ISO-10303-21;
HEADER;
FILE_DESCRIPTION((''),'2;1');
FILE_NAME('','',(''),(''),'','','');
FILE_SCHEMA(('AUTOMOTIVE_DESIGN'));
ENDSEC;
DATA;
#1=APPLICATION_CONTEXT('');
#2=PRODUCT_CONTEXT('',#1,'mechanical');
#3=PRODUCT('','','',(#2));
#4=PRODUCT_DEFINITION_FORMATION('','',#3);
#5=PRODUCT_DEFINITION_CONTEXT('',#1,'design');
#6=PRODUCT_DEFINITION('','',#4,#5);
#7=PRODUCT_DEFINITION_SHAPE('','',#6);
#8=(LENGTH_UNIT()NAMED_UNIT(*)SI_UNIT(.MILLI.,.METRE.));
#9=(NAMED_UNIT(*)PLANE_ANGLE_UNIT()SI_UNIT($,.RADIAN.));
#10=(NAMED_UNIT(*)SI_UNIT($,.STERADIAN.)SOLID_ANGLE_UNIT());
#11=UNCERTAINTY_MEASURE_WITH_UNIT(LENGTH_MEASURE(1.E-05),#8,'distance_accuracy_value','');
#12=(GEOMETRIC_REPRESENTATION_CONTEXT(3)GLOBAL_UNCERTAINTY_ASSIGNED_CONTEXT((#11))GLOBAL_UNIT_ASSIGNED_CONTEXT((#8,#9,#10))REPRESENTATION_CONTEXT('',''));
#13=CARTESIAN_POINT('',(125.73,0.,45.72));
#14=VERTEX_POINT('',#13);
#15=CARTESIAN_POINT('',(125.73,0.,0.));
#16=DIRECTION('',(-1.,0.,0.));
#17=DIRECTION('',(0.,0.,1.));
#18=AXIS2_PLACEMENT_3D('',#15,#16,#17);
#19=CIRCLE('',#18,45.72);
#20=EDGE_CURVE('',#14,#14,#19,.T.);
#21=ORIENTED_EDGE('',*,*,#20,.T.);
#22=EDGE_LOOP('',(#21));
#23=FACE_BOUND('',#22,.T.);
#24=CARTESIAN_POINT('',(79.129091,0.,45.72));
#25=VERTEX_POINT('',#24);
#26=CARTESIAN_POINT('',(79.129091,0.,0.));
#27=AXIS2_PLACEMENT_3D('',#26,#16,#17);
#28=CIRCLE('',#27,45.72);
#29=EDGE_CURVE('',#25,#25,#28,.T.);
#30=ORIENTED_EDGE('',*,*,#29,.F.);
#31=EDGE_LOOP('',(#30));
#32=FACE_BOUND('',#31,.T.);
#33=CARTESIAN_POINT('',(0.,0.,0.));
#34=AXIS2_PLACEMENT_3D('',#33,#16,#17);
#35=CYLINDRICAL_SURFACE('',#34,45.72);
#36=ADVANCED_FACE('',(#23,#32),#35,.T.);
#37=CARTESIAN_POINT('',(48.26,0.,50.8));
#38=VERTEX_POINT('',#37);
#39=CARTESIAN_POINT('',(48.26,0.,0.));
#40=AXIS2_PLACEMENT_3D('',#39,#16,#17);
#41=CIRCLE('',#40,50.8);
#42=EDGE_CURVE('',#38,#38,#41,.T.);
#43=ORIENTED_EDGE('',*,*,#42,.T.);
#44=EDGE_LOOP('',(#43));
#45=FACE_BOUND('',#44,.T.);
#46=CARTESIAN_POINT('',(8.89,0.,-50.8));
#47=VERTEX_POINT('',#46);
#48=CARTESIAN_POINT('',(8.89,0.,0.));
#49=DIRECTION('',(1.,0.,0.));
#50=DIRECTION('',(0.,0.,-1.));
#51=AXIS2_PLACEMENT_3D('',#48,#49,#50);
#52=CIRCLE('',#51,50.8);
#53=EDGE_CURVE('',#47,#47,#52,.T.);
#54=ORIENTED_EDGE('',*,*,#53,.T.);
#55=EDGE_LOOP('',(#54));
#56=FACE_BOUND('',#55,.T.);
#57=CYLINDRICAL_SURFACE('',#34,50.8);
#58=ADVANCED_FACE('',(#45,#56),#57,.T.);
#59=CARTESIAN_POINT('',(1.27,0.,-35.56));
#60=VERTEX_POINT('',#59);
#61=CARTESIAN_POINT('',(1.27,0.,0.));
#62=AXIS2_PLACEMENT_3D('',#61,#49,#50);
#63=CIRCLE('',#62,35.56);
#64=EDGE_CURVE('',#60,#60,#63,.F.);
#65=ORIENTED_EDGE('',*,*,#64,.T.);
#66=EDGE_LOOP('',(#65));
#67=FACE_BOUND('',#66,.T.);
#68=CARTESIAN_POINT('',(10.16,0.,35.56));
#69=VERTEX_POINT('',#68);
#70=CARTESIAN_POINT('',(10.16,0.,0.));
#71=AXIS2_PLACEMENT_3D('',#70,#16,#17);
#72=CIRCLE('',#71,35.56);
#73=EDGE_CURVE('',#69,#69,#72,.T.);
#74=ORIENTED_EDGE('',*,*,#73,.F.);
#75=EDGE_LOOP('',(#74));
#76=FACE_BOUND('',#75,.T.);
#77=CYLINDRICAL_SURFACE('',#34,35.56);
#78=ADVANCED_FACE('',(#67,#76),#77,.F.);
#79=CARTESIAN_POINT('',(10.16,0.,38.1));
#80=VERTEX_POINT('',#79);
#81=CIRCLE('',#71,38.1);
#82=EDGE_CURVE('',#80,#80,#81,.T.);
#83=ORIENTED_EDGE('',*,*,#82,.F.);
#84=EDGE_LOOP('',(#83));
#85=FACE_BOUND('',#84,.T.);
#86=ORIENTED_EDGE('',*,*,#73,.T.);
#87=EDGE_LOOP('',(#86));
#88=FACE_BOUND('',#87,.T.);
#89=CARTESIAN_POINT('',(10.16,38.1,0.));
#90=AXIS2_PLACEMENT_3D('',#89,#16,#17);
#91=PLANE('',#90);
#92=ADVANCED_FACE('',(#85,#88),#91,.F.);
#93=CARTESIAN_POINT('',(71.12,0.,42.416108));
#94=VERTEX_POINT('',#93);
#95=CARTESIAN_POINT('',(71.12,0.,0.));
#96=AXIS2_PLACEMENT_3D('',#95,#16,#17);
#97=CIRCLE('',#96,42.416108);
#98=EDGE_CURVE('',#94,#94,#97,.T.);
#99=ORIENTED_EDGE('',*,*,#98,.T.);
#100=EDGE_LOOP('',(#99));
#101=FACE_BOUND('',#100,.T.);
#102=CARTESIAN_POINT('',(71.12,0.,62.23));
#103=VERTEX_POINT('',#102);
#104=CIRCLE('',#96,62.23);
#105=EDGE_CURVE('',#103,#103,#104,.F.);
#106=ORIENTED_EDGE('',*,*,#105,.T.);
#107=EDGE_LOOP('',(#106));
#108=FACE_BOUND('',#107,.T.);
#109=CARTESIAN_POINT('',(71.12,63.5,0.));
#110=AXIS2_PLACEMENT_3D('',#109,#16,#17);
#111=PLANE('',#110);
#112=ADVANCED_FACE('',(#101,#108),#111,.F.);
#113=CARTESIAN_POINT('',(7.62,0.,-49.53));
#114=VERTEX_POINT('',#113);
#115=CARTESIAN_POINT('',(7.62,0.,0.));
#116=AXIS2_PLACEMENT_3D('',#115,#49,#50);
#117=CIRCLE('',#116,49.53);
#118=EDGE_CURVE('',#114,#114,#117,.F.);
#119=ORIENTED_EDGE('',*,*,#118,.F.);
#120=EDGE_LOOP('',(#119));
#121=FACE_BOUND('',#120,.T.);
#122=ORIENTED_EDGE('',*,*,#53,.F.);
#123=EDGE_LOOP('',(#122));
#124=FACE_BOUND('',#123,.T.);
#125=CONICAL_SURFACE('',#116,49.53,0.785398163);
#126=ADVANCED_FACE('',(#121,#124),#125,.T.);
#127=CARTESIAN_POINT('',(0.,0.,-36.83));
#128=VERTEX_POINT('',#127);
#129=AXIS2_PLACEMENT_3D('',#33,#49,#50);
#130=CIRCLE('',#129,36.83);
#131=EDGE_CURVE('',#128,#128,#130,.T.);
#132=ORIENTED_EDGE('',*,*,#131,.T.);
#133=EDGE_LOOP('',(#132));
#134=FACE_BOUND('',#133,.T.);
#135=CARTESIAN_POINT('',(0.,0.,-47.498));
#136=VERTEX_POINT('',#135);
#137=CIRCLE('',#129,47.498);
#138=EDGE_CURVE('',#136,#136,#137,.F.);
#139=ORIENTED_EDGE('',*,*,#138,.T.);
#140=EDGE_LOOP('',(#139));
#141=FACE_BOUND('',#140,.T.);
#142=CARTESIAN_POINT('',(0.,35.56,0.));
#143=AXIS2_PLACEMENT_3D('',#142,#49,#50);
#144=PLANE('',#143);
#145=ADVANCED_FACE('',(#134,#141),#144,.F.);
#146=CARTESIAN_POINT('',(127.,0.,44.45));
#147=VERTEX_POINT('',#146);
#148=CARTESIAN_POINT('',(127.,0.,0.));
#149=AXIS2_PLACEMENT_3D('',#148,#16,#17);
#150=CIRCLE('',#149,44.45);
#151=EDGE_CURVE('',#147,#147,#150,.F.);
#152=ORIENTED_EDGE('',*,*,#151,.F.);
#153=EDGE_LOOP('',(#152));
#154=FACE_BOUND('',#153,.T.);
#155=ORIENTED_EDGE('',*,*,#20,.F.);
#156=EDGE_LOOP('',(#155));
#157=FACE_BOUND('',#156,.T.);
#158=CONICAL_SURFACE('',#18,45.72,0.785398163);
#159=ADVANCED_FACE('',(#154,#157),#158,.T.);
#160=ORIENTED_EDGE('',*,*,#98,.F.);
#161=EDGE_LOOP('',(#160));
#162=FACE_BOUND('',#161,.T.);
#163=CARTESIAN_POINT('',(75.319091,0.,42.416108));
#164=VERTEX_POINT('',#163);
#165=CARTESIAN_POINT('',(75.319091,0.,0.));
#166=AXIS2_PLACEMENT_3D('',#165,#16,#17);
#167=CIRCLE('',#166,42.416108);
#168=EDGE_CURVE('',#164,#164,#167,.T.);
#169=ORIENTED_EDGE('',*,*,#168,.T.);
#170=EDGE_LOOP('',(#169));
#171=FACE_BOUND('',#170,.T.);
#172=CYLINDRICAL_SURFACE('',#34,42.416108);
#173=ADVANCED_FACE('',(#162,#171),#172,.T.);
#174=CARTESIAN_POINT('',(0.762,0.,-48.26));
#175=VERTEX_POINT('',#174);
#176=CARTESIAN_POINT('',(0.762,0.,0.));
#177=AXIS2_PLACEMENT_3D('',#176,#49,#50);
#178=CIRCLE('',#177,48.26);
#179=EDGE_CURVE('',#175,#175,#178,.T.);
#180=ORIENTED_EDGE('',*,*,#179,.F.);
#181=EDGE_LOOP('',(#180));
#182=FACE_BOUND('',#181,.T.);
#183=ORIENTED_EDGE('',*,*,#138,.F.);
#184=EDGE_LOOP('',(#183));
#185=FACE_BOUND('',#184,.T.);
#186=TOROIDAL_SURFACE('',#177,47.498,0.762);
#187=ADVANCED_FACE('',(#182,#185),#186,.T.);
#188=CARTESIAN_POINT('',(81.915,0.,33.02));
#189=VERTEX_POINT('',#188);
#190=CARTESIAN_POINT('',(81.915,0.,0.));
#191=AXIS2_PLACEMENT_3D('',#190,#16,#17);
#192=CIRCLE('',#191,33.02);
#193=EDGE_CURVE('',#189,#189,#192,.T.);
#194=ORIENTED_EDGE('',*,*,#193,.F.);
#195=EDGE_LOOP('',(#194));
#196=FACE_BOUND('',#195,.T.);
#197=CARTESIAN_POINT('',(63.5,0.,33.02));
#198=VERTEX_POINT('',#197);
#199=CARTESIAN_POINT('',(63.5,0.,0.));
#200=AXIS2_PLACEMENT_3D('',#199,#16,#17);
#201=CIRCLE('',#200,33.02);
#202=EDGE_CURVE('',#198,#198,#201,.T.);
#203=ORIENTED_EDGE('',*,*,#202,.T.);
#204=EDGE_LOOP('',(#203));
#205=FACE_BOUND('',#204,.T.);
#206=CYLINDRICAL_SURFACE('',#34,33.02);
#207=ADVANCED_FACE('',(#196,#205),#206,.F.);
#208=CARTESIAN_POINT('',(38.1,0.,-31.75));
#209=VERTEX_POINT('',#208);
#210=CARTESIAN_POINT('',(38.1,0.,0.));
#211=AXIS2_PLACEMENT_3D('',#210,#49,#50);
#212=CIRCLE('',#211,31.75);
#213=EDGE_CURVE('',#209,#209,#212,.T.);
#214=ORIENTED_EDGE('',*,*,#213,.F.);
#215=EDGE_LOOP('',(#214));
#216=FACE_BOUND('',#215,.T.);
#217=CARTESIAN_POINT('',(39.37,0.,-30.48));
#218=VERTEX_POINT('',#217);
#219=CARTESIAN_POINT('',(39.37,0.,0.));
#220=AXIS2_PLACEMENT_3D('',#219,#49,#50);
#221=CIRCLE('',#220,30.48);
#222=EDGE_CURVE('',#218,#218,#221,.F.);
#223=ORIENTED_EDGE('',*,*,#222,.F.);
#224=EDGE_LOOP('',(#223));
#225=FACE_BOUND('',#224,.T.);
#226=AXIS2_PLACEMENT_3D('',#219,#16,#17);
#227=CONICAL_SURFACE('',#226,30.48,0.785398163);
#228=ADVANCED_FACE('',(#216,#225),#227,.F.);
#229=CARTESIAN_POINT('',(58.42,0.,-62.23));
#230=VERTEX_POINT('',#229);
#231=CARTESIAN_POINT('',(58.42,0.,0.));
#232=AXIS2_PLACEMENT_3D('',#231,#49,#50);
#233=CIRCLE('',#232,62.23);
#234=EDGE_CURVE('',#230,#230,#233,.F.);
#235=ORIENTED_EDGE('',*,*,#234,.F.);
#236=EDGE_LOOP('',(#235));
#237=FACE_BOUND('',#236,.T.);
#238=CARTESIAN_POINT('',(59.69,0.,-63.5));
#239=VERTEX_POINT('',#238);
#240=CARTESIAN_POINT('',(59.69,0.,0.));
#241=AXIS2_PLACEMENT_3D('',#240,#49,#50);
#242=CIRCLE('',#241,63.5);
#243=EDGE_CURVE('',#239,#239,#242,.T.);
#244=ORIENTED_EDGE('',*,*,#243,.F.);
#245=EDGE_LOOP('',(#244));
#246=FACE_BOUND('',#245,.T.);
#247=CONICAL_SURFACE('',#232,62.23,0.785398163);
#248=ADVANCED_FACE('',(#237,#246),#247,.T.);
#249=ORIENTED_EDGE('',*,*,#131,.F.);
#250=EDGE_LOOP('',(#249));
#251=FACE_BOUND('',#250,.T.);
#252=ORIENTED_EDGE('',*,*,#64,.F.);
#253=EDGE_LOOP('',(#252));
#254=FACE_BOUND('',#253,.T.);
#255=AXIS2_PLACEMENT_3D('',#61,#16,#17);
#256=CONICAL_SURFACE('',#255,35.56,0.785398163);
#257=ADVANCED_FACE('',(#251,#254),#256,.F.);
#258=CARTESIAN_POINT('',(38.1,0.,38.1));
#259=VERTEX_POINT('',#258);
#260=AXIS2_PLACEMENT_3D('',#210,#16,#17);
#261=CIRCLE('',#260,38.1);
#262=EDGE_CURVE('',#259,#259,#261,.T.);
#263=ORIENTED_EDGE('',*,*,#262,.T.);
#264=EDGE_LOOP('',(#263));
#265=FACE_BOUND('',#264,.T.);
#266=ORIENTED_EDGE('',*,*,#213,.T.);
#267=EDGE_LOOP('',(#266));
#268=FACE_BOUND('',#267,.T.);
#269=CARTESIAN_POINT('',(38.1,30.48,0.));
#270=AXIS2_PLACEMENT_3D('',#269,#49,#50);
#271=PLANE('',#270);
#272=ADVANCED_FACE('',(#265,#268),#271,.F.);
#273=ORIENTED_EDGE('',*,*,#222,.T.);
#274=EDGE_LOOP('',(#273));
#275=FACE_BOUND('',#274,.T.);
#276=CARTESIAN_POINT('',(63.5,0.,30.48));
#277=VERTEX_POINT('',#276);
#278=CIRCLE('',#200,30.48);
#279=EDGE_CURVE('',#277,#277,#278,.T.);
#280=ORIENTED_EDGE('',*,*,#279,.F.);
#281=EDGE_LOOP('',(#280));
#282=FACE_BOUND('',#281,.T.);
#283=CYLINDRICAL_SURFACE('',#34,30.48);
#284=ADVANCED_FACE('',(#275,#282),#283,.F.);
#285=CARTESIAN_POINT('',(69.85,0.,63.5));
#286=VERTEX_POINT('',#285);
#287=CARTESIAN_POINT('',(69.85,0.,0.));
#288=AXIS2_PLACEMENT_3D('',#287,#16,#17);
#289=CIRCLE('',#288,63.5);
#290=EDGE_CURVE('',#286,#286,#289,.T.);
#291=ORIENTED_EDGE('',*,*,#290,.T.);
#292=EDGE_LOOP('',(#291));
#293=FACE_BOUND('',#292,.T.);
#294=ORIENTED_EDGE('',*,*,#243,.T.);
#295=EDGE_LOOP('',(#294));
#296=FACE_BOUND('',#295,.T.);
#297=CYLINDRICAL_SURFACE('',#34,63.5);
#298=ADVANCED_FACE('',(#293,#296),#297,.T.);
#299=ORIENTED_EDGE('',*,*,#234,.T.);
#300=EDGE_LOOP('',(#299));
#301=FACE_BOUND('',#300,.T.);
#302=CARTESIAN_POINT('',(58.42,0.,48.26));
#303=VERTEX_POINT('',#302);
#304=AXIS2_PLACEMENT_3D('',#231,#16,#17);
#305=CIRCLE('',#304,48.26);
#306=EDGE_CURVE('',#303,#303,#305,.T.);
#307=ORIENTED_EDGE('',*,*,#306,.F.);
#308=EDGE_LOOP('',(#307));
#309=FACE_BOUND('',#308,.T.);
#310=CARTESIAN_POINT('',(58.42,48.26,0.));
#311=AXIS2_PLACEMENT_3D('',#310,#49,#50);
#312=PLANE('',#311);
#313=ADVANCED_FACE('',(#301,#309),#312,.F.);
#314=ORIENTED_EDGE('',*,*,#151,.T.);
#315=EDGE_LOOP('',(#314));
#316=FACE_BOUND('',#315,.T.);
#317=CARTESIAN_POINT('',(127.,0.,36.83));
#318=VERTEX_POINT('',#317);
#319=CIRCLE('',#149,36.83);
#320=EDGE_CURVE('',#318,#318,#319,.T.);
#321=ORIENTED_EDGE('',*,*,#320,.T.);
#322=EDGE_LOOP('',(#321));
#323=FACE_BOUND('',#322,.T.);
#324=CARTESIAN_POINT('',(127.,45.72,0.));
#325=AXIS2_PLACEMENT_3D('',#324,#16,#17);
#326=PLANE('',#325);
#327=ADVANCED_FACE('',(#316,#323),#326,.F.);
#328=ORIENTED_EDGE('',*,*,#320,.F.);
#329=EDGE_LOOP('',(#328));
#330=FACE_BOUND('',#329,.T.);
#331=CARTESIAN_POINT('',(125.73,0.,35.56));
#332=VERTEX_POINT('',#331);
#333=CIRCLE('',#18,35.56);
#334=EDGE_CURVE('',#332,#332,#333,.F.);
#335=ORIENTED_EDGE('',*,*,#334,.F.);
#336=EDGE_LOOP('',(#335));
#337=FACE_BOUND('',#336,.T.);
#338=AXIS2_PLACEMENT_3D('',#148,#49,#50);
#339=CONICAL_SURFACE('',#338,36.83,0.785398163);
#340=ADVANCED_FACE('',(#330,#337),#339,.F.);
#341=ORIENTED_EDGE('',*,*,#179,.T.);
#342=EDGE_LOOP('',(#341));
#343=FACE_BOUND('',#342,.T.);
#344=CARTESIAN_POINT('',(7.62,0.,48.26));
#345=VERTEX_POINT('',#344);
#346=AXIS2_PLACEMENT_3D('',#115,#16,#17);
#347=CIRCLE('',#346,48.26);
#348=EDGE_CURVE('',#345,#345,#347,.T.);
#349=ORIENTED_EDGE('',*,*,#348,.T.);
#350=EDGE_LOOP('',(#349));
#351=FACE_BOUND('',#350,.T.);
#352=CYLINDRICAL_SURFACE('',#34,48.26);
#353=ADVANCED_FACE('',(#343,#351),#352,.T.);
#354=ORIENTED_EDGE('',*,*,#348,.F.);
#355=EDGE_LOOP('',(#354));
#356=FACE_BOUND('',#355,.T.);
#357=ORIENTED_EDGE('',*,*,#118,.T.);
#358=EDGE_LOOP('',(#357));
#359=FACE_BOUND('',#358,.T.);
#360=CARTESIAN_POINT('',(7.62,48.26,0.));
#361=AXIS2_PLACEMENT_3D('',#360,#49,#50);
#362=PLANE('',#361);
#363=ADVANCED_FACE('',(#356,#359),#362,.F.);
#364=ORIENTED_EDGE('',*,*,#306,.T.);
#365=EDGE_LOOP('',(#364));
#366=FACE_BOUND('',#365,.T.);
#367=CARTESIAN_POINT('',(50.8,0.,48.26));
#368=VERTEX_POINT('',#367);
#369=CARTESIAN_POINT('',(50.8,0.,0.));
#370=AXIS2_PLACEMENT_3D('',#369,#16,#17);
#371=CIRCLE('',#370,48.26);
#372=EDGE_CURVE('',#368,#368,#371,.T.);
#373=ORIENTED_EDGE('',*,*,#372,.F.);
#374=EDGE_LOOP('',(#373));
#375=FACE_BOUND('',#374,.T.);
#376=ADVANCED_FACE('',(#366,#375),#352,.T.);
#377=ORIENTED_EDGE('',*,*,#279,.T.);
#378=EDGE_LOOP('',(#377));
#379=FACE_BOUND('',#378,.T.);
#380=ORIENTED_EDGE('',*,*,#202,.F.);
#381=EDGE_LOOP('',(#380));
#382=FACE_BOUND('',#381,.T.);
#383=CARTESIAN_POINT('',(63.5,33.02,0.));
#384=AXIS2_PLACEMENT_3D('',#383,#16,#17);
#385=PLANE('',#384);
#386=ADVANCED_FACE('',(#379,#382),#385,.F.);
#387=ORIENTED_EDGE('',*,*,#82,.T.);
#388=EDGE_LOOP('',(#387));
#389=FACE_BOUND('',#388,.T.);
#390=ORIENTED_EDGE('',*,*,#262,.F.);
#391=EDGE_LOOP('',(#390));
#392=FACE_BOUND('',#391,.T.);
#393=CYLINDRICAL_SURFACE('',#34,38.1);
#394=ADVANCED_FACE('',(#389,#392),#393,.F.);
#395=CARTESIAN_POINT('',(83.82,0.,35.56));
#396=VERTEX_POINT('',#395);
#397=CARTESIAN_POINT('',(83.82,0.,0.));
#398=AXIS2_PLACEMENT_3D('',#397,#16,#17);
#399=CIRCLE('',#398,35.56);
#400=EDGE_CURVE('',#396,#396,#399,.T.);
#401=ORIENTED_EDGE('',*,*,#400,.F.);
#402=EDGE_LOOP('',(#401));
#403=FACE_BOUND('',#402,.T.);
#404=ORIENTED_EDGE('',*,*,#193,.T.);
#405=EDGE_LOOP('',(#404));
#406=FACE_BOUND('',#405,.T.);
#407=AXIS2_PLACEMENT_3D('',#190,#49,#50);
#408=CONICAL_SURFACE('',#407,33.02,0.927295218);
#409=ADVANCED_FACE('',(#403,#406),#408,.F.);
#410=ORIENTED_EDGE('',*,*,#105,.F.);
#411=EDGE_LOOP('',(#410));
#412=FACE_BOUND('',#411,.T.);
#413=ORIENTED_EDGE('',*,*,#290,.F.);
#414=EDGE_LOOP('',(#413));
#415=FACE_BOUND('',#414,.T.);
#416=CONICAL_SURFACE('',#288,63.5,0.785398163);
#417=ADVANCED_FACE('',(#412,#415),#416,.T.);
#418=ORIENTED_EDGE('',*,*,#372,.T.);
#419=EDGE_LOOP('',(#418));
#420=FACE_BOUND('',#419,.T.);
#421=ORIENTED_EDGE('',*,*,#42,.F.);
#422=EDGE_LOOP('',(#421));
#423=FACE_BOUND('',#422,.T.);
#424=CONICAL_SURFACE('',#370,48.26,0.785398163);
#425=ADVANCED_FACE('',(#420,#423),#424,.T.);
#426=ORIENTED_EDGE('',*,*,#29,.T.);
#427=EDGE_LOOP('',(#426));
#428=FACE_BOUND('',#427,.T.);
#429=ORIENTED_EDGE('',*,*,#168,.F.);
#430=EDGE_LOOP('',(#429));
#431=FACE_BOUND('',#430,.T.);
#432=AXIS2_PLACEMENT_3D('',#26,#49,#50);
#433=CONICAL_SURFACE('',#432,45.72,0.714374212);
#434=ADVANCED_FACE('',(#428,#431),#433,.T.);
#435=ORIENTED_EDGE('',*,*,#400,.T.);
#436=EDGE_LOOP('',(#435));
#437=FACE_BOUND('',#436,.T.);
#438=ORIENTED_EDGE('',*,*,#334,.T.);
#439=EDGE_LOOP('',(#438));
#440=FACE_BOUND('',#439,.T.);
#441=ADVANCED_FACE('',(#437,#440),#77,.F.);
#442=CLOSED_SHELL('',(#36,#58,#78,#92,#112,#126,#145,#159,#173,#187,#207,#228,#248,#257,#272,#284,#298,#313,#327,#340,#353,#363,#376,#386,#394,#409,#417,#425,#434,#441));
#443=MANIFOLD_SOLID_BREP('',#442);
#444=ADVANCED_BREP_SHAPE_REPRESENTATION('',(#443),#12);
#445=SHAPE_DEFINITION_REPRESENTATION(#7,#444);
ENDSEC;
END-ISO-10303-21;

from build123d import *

# Parameters (mm, degrees)
CHAMFER1_SIZE = 1.27
FILLET1_R     = 0.762


with BuildPart() as part:
    # Sketch1 → Base-Revolve (revolve)
    with BuildSketch(Plane.XY, mode=Mode.PRIVATE) as base_revolve_sk:
        Polygon((0, 35.56), (0, 48.26), (7.62, 48.26), (7.62, 50.8), (48.26, 50.8), (50.8, 48.26), (58.42, 48.26), (58.42, 63.5), (71.12, 63.5), (71.12, 42.416108007), (75.319090909, 42.416108007), (79.129090909, 45.72), (127, 45.72), (127, 35.56), (83.82, 35.56), (81.915, 33.02), (63.5, 33.02), (63.5, 30.48), (38.1, 30.48), (38.1, 38.1), (10.16, 38.1), (10.16, 35.56), align=None)
    revolve(base_revolve_sk.sketch.rotate(Axis((0, 0, 0), (1, 0, 0)), 90), axis=Axis((0, 0, 0), (1, 0, 0)))

    # Chamfer1
    chamfer1_edges = [part.edges().sort_by_distance(p)[0] for p in [
        (0, 0, -35.56),
        (7.62, 0, -50.8),
        (58.42, 0, -63.5),
        (71.12, 0, -63.5),
        (127, 0, -45.72),
        (127, 0, -35.56),
        (38.1, 0, -30.48),
    ]]
    chamfer(chamfer1_edges, length=CHAMFER1_SIZE)

    # Fillet1
    fillet1_edges = [part.edges().sort_by_distance(p)[0] for p in [
        (0, 0, -48.26),
    ]]
    fillet(fillet1_edges, radius=FILLET1_R)


solid = part.part
